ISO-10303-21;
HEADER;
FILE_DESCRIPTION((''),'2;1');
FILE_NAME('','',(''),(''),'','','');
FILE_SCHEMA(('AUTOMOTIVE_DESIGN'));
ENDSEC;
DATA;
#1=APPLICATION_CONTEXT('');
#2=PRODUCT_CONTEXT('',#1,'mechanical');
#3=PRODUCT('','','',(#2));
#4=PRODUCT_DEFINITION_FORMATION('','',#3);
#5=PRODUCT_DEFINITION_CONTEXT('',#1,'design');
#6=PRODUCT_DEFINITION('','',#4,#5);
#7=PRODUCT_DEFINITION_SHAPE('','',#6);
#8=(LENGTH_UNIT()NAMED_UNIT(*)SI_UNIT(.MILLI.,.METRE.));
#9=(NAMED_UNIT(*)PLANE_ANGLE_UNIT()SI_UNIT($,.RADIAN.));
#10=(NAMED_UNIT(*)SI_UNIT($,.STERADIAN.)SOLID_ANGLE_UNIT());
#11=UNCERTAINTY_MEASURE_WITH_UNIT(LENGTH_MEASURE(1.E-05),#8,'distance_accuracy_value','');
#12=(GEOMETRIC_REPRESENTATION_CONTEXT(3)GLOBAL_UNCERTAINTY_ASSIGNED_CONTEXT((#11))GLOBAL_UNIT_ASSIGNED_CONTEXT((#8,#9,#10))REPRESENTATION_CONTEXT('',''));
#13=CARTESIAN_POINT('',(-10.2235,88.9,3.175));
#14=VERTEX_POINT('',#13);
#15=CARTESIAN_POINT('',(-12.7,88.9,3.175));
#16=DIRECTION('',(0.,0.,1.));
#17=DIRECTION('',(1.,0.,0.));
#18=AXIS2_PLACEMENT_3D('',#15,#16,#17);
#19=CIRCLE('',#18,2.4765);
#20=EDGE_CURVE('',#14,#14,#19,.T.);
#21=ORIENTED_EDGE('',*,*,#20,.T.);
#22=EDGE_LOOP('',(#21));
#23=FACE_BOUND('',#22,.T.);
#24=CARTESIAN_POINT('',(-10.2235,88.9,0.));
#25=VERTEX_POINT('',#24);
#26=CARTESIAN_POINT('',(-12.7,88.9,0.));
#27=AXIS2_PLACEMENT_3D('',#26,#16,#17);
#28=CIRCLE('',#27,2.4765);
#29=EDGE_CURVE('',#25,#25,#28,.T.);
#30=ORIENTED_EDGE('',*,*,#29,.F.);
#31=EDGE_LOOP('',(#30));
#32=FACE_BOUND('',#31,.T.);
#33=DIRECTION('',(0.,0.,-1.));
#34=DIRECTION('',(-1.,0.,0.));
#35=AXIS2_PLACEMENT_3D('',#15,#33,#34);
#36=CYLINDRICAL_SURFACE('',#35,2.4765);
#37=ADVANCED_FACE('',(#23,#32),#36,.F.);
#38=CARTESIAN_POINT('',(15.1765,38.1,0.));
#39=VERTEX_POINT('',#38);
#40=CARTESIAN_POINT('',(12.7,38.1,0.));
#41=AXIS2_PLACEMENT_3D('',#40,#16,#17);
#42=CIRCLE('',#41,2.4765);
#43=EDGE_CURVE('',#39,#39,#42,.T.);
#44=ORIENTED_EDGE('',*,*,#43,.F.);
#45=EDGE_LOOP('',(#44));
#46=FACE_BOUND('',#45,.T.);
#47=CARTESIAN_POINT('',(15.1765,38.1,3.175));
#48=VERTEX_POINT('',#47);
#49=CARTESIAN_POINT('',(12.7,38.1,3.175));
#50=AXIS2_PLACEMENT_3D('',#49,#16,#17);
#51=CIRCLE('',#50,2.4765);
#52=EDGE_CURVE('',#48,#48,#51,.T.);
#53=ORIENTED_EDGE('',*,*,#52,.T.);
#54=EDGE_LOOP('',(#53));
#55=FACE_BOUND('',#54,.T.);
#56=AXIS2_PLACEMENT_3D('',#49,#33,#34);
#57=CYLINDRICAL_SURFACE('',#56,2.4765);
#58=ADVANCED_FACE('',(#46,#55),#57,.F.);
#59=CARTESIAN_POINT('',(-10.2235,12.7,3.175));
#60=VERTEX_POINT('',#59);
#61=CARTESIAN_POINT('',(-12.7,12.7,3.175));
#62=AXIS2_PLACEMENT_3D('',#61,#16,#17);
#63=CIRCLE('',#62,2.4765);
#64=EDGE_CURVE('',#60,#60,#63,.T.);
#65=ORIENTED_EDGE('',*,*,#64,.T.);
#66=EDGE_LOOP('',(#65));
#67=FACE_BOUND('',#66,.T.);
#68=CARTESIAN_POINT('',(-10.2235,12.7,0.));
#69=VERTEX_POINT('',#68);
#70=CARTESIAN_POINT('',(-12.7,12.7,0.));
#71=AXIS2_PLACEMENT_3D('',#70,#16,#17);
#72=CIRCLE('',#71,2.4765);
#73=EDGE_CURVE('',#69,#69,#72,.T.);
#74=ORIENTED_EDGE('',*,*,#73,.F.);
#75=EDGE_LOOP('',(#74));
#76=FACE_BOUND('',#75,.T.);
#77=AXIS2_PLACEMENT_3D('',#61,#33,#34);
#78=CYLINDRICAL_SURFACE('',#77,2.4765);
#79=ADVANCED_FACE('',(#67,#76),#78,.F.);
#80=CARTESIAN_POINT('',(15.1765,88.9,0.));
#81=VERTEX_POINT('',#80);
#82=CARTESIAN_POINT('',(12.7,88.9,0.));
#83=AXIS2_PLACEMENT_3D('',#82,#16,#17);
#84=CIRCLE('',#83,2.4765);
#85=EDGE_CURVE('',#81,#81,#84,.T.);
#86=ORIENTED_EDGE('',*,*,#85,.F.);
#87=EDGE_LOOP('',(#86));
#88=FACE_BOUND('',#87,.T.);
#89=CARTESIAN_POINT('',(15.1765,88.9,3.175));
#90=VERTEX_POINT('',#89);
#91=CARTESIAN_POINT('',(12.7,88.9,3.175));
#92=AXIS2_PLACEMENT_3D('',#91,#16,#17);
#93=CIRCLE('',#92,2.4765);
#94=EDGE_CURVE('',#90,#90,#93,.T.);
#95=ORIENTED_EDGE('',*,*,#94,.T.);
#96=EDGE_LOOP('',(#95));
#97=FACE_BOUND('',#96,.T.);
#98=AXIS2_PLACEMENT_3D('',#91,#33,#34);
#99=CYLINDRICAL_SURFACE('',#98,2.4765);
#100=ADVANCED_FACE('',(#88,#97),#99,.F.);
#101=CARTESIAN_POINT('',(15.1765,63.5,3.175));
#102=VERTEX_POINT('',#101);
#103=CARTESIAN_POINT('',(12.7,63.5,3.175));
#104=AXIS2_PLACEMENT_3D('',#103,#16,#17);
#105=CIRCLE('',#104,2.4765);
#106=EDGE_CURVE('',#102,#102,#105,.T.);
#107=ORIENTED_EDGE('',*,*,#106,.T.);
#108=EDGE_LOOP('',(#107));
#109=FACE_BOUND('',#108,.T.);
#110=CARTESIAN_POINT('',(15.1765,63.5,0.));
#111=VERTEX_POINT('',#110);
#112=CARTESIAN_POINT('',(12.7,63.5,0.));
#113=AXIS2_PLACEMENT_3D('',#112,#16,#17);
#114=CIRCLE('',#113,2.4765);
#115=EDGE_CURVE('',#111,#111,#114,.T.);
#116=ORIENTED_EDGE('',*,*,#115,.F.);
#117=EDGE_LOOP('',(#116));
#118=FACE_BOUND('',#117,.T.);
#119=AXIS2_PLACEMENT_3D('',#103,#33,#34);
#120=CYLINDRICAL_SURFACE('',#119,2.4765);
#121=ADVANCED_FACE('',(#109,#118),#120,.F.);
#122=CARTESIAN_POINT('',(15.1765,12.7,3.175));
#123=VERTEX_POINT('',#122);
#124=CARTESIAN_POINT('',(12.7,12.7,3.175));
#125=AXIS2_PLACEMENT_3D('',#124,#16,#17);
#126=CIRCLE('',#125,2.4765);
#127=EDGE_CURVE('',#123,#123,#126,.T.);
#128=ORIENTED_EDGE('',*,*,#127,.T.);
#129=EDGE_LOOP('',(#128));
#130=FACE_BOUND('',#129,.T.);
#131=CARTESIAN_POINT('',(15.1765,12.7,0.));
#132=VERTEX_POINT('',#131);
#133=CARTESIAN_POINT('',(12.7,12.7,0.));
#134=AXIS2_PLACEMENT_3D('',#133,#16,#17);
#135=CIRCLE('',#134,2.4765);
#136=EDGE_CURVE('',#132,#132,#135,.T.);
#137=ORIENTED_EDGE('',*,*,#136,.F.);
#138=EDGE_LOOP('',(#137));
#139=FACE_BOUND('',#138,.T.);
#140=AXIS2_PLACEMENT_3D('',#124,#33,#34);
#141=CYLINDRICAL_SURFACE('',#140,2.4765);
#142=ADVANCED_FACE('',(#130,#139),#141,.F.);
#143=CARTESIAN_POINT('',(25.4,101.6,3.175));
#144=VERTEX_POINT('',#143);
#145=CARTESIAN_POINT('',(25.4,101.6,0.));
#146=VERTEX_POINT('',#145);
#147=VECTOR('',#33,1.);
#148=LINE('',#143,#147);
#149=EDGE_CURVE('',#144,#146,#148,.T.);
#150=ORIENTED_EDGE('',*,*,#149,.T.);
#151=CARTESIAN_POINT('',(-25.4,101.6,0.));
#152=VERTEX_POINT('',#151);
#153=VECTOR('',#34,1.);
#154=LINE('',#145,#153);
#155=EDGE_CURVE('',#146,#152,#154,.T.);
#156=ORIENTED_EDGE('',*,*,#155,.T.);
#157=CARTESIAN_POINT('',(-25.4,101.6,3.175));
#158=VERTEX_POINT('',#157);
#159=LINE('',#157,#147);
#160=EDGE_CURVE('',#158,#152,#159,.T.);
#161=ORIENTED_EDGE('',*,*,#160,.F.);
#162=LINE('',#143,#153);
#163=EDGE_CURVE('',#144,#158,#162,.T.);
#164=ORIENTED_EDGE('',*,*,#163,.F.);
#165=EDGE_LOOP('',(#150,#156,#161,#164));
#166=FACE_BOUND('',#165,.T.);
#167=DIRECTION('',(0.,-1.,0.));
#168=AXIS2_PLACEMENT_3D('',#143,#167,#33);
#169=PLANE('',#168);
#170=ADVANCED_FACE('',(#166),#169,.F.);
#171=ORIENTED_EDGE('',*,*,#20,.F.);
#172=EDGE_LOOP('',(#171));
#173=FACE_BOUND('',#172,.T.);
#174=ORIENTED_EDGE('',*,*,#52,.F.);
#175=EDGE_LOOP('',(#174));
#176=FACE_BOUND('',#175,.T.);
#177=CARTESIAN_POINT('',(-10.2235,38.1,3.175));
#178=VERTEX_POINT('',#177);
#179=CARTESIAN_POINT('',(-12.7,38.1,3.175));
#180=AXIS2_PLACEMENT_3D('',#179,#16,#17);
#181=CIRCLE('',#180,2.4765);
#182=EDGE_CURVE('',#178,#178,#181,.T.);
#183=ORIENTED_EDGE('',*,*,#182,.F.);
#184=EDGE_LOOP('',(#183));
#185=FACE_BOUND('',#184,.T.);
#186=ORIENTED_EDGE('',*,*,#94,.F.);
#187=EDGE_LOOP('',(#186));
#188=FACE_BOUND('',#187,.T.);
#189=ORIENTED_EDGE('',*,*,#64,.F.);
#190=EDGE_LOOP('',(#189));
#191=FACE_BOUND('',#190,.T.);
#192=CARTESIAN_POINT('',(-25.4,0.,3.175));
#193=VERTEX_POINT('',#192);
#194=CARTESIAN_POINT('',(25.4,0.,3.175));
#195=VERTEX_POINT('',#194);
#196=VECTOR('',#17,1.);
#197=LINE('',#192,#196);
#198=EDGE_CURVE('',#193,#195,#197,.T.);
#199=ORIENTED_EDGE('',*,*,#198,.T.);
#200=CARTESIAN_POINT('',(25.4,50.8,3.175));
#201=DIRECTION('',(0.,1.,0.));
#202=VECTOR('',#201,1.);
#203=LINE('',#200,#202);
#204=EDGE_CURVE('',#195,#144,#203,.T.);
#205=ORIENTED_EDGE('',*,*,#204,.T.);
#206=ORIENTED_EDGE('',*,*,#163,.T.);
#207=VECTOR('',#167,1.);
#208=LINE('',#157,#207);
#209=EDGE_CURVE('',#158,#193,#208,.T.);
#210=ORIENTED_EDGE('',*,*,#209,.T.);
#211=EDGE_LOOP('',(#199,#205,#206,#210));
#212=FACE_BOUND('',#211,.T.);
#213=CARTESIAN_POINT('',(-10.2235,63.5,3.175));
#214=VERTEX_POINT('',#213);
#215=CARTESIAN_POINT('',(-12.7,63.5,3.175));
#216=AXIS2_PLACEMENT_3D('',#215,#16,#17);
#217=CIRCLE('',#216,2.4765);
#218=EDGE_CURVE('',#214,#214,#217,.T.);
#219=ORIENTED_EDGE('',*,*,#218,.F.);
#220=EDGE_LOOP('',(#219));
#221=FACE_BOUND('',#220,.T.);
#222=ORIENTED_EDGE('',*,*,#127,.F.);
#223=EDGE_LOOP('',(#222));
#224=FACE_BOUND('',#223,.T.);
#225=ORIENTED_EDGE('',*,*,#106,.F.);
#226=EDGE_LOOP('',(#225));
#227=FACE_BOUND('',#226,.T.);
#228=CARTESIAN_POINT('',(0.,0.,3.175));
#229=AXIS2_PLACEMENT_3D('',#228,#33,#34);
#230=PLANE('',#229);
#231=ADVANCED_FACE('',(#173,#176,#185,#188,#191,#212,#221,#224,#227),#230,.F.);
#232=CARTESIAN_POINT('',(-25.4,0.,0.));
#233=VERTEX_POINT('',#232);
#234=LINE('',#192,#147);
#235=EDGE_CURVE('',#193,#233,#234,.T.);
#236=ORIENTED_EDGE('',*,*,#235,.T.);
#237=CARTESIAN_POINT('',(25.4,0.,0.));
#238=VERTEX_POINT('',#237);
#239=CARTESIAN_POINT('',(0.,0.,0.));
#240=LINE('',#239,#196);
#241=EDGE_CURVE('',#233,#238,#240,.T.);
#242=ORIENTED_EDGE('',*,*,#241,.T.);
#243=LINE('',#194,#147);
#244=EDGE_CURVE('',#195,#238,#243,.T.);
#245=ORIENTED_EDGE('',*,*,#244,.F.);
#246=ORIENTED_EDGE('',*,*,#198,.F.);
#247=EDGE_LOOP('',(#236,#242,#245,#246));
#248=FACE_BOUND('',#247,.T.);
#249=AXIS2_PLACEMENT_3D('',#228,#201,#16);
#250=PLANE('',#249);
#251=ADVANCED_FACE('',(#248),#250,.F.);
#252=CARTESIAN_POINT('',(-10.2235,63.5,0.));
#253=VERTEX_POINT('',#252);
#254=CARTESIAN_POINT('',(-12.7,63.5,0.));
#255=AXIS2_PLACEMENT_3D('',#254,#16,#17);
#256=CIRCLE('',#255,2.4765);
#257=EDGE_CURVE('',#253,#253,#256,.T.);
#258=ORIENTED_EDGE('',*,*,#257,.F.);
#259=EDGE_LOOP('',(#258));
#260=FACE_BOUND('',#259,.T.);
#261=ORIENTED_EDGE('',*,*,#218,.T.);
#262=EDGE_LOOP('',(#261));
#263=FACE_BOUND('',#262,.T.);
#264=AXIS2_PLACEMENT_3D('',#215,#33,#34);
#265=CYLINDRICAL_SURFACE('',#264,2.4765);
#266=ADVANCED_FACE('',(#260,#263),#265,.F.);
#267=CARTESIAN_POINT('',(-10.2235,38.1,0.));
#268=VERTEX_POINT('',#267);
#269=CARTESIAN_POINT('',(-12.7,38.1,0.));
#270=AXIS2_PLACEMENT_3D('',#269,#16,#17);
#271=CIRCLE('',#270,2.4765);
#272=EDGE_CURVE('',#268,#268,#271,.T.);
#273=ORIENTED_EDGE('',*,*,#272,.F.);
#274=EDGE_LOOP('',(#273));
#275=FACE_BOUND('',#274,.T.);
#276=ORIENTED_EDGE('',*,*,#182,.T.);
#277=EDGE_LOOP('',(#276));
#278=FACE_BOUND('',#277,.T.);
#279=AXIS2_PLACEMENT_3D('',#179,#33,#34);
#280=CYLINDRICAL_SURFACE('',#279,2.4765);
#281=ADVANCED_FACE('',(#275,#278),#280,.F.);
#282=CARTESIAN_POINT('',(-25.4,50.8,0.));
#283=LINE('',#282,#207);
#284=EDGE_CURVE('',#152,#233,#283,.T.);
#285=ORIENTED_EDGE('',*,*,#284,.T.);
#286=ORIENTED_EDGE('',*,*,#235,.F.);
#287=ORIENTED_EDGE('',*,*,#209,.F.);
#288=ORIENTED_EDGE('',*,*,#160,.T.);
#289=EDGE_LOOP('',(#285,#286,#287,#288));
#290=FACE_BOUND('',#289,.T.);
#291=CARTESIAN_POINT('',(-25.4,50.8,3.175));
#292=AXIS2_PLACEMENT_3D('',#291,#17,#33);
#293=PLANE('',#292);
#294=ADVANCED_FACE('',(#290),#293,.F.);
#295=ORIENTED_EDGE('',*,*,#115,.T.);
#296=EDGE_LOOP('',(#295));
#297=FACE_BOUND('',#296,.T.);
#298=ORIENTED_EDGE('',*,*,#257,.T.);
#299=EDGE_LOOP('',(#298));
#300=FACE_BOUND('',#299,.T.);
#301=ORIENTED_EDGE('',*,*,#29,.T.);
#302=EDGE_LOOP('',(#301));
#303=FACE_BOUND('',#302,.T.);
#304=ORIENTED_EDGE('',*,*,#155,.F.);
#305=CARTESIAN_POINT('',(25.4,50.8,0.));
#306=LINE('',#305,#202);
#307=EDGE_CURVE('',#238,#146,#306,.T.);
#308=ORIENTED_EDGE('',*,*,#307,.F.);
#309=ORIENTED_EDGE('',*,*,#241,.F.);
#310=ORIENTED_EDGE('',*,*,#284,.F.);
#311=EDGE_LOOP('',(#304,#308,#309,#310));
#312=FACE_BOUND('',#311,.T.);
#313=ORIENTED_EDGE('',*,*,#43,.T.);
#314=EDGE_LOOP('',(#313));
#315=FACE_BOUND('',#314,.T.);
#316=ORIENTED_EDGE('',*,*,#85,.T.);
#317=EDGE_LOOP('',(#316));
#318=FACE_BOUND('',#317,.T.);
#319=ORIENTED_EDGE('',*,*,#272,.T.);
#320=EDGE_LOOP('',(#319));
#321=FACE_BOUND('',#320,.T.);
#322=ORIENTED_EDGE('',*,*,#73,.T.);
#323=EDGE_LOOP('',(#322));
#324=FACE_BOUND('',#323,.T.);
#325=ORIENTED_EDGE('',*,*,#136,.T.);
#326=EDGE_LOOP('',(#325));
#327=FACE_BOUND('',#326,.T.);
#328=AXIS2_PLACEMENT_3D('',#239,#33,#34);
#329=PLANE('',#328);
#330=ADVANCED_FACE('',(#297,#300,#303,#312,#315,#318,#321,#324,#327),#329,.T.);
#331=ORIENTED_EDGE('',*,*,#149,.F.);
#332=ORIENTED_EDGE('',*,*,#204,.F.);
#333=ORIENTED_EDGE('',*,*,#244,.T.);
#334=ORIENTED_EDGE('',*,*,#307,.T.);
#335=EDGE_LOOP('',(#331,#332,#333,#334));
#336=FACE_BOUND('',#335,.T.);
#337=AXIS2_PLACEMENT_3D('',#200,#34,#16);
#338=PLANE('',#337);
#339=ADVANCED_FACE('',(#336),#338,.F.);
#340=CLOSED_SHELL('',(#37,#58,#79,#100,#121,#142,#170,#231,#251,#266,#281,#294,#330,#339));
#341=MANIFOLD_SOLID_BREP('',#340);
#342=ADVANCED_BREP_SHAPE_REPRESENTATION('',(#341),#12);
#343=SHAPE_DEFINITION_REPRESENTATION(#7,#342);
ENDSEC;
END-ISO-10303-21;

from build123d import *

# Parameters (mm, degrees)
SKETCH1_R           = 2.4765
BOSS_EXTRUDE1_DEPTH = 3.175


with BuildPart() as part:
    # Sketch1 → Boss-Extrude1 (new body)
    with BuildSketch(Plane.XY):
        Polygon((0, 0), (25.4, 0), (25.4, 50.8), (25.4, 101.6), (-25.4, 101.6), (-25.4, 50.8), (-25.4, 0), align=None)
        with Locations((12.7, 88.9)):
            Circle(SKETCH1_R, mode=Mode.SUBTRACT)
        with Locations((-12.7, 88.9)):
            Circle(SKETCH1_R, mode=Mode.SUBTRACT)
        with Locations((-12.7, 63.5)):
            Circle(SKETCH1_R, mode=Mode.SUBTRACT)
        with Locations((12.7, 63.5)):
            Circle(SKETCH1_R, mode=Mode.SUBTRACT)
        with Locations((12.7, 12.7)):
            Circle(SKETCH1_R, mode=Mode.SUBTRACT)
        with Locations((-12.7, 12.7)):
            Circle(SKETCH1_R, mode=Mode.SUBTRACT)
        with Locations((-12.7, 38.1)):
            Circle(SKETCH1_R, mode=Mode.SUBTRACT)
        with Locations((12.7, 38.1)):
            Circle(SKETCH1_R, mode=Mode.SUBTRACT)
    extrude(amount=BOSS_EXTRUDE1_DEPTH)


solid = part.part
